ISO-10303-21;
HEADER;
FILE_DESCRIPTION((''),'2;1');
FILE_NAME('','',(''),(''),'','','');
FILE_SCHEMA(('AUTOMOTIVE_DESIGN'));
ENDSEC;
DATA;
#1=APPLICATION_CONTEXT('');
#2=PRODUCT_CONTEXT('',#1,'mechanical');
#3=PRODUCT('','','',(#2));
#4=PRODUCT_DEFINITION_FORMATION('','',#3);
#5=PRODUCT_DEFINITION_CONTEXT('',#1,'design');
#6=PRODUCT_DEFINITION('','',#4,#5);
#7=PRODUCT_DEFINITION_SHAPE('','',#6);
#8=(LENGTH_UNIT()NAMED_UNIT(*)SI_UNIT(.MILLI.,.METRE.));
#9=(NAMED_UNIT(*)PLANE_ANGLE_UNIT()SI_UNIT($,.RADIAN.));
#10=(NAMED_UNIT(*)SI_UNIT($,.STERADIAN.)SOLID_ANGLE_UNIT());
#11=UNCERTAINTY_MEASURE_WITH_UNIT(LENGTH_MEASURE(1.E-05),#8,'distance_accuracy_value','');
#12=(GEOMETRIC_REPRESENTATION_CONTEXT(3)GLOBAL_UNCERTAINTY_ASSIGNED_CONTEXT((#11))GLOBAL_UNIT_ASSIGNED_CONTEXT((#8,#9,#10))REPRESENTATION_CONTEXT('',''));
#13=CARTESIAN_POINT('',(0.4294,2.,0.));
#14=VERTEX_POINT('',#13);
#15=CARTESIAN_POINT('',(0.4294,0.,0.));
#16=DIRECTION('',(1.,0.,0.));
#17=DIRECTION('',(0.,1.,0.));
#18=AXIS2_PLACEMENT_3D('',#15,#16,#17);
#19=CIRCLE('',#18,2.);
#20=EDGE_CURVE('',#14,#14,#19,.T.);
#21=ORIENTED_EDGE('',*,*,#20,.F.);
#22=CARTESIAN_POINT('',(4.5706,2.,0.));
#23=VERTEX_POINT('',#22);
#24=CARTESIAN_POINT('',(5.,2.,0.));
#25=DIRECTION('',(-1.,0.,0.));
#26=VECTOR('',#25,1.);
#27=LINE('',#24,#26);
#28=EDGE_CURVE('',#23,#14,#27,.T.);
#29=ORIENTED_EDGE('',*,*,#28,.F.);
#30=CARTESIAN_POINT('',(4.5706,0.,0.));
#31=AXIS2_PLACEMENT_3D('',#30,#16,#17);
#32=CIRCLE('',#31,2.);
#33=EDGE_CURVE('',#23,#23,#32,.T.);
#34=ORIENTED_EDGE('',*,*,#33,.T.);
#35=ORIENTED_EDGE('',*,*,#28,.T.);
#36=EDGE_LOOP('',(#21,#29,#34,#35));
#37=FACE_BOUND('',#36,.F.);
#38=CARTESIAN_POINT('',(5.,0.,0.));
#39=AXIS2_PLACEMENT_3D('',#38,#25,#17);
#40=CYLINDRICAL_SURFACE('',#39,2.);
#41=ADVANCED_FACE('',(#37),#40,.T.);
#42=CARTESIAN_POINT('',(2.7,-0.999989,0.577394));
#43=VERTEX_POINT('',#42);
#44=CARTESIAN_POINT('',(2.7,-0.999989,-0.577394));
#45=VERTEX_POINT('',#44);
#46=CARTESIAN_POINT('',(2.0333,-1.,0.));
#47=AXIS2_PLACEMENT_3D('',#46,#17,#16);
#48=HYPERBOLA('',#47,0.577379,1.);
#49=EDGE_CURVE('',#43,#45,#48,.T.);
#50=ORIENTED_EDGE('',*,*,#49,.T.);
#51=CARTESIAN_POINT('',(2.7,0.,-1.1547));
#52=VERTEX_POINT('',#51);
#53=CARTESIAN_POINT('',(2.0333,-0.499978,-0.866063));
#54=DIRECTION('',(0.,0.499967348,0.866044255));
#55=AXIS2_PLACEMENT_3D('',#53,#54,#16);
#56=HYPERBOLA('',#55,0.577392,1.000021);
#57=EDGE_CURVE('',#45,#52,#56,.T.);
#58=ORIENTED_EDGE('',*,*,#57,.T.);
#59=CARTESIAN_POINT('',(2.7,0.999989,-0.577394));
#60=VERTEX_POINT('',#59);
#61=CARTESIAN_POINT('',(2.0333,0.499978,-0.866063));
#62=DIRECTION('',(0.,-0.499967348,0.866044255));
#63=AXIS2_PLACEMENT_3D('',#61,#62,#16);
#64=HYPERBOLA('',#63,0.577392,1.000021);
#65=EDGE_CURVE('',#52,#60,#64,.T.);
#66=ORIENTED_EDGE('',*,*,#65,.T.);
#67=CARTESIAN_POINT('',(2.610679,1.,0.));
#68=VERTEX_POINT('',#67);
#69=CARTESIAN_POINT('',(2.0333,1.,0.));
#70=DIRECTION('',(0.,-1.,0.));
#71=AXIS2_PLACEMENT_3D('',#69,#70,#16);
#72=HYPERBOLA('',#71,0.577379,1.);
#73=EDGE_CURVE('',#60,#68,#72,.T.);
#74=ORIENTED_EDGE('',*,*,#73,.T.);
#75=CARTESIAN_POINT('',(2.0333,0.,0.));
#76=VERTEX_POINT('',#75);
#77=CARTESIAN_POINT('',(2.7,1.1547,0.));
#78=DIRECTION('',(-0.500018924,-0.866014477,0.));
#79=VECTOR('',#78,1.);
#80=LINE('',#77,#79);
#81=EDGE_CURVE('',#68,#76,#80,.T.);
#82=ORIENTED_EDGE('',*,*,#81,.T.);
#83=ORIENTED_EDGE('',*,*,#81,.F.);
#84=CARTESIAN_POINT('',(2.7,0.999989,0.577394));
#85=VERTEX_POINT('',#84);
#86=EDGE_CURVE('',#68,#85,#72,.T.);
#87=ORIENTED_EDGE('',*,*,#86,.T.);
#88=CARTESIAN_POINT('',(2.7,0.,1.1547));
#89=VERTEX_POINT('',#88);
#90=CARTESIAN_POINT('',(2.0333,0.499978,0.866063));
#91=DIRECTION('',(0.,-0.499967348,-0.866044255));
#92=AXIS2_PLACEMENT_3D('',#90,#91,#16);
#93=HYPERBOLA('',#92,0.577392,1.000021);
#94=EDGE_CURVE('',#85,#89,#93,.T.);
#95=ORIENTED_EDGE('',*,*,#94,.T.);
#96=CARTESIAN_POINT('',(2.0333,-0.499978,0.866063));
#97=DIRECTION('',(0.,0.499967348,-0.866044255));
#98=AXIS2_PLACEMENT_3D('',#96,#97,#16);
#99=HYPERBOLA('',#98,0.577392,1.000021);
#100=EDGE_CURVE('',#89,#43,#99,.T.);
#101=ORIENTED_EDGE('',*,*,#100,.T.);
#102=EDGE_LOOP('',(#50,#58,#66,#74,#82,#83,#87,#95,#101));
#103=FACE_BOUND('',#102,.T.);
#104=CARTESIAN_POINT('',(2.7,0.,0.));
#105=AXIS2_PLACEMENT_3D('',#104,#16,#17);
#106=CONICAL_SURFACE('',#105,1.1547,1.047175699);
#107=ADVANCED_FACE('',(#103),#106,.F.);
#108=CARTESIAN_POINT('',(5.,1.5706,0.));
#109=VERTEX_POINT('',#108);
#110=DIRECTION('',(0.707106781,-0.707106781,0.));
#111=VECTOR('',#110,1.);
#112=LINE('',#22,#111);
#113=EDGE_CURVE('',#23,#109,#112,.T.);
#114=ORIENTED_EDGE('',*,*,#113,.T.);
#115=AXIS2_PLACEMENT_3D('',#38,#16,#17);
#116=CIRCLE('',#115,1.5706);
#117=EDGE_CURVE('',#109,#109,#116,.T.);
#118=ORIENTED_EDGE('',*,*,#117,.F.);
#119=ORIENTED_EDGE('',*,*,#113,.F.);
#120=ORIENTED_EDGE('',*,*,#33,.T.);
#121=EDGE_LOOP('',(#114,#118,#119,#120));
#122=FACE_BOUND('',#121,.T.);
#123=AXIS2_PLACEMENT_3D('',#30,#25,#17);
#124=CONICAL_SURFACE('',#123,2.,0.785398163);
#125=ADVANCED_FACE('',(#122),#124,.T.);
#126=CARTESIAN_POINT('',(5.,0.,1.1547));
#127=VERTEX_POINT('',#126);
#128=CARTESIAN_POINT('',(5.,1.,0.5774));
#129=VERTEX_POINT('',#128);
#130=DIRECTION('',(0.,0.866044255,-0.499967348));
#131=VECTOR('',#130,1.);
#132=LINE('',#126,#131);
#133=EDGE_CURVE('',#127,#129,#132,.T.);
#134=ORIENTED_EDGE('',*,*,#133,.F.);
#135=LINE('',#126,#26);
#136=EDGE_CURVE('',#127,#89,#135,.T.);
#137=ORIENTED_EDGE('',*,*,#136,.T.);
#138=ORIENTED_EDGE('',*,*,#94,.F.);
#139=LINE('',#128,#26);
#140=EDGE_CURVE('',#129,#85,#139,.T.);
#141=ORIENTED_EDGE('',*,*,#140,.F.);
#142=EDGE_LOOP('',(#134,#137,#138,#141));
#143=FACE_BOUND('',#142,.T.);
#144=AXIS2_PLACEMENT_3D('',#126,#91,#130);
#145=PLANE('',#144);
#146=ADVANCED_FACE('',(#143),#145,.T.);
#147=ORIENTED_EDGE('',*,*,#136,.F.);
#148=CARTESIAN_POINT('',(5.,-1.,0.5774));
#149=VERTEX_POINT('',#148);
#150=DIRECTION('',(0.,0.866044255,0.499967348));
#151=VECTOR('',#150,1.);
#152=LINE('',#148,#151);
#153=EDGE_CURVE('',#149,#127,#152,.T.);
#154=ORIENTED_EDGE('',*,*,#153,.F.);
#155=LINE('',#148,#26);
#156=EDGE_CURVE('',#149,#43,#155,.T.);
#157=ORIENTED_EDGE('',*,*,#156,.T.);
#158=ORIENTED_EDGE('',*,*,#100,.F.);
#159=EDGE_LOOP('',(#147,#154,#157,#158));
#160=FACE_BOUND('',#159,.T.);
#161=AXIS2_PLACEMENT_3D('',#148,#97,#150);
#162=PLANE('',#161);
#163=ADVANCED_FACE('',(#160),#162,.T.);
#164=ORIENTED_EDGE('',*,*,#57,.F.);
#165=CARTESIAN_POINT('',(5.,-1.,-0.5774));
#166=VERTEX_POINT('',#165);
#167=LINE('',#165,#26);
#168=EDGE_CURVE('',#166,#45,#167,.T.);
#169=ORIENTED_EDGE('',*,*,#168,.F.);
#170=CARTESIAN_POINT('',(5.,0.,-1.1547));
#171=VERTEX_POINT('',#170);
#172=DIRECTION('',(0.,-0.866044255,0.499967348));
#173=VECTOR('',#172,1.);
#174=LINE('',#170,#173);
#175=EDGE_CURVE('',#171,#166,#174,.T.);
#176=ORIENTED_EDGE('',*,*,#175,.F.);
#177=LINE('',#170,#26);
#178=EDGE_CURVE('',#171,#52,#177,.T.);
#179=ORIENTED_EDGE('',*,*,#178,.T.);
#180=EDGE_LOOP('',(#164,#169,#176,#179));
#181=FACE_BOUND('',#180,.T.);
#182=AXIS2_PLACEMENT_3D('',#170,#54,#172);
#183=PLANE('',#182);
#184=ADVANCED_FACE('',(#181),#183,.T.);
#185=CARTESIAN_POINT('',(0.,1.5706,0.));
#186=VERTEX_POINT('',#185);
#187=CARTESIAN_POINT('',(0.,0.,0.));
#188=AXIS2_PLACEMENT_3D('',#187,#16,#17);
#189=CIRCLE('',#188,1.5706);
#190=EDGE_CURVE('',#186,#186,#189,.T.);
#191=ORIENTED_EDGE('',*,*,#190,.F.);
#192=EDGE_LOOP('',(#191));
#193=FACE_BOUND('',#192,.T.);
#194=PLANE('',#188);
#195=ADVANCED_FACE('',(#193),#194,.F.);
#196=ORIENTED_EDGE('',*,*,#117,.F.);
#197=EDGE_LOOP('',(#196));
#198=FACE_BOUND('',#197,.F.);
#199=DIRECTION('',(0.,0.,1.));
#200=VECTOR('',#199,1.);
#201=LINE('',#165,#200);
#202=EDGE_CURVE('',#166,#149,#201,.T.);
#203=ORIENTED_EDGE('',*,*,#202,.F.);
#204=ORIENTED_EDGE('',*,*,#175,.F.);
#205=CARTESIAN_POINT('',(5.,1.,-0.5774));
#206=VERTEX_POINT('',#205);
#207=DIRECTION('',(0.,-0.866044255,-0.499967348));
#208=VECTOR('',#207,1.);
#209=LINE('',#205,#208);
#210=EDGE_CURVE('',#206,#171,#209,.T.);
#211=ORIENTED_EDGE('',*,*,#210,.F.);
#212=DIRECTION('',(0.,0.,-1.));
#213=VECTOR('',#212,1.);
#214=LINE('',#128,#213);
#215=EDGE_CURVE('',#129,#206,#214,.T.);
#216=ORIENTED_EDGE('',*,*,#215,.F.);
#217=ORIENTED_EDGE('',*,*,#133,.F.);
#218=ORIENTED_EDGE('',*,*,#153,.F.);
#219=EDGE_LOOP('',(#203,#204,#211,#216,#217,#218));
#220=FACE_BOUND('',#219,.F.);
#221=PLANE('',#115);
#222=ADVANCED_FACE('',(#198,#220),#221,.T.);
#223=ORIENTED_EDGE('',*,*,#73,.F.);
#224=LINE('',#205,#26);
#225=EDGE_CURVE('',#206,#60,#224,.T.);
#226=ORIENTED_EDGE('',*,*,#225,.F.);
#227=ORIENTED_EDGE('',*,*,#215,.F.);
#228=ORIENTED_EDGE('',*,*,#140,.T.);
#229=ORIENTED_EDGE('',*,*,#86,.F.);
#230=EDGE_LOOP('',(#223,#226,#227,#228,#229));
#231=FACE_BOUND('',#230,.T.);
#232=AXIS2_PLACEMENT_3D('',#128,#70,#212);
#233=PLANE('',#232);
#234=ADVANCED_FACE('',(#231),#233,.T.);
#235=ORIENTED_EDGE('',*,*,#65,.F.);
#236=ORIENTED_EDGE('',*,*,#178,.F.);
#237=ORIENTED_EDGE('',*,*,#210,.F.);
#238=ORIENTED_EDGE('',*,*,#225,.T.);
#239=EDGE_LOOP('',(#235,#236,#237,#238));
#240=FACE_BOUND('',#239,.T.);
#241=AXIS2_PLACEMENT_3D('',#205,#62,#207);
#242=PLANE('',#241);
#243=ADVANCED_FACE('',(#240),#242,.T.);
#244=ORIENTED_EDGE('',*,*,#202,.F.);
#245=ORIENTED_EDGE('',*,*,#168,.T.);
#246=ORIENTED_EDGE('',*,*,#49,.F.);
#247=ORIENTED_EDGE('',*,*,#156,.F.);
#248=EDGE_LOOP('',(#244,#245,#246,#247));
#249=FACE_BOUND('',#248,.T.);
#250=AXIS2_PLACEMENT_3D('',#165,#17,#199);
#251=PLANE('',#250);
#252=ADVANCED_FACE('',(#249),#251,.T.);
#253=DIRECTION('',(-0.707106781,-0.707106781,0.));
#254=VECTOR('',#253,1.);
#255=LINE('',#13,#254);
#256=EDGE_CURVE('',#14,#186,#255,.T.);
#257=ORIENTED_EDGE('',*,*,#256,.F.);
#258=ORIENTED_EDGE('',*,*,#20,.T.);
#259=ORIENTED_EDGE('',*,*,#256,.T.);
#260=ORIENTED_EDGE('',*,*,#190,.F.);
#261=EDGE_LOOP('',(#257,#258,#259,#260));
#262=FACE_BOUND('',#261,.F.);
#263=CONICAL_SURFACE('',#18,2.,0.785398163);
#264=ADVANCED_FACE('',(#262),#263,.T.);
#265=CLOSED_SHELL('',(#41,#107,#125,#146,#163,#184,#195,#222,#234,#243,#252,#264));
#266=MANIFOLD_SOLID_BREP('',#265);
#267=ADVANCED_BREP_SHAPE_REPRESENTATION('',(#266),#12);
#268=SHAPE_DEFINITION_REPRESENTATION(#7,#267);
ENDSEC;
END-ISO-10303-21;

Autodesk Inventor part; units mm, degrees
ref_plane "YZ Plane" through (0, 0, 0) normal (1, 0, 0) x (0, 1, 0)
ref_plane "XZ Plane" through (0, 0, 0) normal (0, 1, 0) x (-1, 0, 0)
sketch "Sketch1" plane through (0, 0, 0) normal (0, 0, 1) x (1, 0, 0)
  line L0 (0, 0) -> (2.0333, 0)
  line L1 (5, 1.1547) -> (5, 2)
  line L2 (5, 2) -> (0, 2)
  line L3 (5, 1.1547) -> (2.7, 1.1547)
  line L4 (2.7, 1.1547) -> (2.0333, 0)
  line L5 (0, -0.4) -> (0, 2.4) projected
  line L6 (0, 2) -> (0, 0)
  dimension "d0" = 2.3
  dimension "d1" = 60
  dimension "d2" = 4
  dimension "d3" = 2.3094
  dimension "d5" = 5
revolve "Body" add sketch "Sketch1" angle 360 about axis through (0, 0, 0) along (1, 0, 0)
chamfer "Chamfer1" distance 0.4294 angle 45 1 edges at (5, -2, 0) measured on face at (5, 1.6877, -0.2517)
sketch "Sketch2" plane through (5, 0, 0) normal (1, 0, 0) x (0, 0, -1)
  circle A0 centre (0, 0) radius 1.1547 projected
  line L0 (-0.5774, 1) -> (0.5774, 1)
  line L1 (0.5774, 1) -> (1.1547, 0)
  line L2 (1.1547, 0) -> (0.5774, -1)
  line L3 (0.5774, -1) -> (-0.5774, -1)
  line L4 (-0.5774, -1) -> (-1.1547, 0)
  line L5 (-1.1547, 0) -> (-0.5774, 1)
extrude "Slot" add sketch "Sketch2" against normal up to next contours L1 A0 | A0 L2 | L0 A0 | A0 L3 | L5 A0 | A0 L4
thread "Thread" size "M4x0.7" class "6g" standard "ANSI Metric M Profile" length 5
chamfer "Chamfer2" distance 0.4294 angle 45 1 edges at (0, -2, 0) measured on face at (1.5235, 1.9741, -0.3208)
ref_plane "Work Plane1" through (2.5, 0, 0) normal (0, 0.5, 0.866) x (1, 0, 0)
equation "\"d0\" = INTI"
equation "\"d2\" = NND"
equation "\"d3\" = 1.1547 * SW"
equation "\"d5\" = NLG"
equation "\"d7\" = -0.5 * GD1 + 0.5 * NND"
equation "\"d8\" = FAWI"
equation "\"d29\" = -0.5 * GD1 + 0.5 * NND"
equation "\"d11\" = NLG"
equation "\"d13\" = -0.5 * GD1 + 0.5 * NND"
equation "\"d14\" = FAWI"
equation "\"d30\" = -0.5 * GD1 + 0.5 * NND"
equation "\"NND\" = 4"
equation "\"NLG\" = 5"
equation "\"INTI\" = 2.3"
equation "\"FAWI\" = 45deg"
equation "\"SW\" = 2"
equation "\"GD1\" = THREADDIA - 1.2269 * PTC"
equation "\"FAWI1\" = 45deg"
equation "\"GUL\" = 0.61345 * PTC"
equation "\"SPD\" = 2.5"
equation "\"TOA\" = 30deg"
equation "\"THREADDIA\" = 4"
equation "\"PTC\" = 0.7"
equation "\"GAL\" = 0.61345 * PTC"
equation "\"E0\" = 1.155 * SW"
properties part number "11-3204" material "Steel, Mild"
